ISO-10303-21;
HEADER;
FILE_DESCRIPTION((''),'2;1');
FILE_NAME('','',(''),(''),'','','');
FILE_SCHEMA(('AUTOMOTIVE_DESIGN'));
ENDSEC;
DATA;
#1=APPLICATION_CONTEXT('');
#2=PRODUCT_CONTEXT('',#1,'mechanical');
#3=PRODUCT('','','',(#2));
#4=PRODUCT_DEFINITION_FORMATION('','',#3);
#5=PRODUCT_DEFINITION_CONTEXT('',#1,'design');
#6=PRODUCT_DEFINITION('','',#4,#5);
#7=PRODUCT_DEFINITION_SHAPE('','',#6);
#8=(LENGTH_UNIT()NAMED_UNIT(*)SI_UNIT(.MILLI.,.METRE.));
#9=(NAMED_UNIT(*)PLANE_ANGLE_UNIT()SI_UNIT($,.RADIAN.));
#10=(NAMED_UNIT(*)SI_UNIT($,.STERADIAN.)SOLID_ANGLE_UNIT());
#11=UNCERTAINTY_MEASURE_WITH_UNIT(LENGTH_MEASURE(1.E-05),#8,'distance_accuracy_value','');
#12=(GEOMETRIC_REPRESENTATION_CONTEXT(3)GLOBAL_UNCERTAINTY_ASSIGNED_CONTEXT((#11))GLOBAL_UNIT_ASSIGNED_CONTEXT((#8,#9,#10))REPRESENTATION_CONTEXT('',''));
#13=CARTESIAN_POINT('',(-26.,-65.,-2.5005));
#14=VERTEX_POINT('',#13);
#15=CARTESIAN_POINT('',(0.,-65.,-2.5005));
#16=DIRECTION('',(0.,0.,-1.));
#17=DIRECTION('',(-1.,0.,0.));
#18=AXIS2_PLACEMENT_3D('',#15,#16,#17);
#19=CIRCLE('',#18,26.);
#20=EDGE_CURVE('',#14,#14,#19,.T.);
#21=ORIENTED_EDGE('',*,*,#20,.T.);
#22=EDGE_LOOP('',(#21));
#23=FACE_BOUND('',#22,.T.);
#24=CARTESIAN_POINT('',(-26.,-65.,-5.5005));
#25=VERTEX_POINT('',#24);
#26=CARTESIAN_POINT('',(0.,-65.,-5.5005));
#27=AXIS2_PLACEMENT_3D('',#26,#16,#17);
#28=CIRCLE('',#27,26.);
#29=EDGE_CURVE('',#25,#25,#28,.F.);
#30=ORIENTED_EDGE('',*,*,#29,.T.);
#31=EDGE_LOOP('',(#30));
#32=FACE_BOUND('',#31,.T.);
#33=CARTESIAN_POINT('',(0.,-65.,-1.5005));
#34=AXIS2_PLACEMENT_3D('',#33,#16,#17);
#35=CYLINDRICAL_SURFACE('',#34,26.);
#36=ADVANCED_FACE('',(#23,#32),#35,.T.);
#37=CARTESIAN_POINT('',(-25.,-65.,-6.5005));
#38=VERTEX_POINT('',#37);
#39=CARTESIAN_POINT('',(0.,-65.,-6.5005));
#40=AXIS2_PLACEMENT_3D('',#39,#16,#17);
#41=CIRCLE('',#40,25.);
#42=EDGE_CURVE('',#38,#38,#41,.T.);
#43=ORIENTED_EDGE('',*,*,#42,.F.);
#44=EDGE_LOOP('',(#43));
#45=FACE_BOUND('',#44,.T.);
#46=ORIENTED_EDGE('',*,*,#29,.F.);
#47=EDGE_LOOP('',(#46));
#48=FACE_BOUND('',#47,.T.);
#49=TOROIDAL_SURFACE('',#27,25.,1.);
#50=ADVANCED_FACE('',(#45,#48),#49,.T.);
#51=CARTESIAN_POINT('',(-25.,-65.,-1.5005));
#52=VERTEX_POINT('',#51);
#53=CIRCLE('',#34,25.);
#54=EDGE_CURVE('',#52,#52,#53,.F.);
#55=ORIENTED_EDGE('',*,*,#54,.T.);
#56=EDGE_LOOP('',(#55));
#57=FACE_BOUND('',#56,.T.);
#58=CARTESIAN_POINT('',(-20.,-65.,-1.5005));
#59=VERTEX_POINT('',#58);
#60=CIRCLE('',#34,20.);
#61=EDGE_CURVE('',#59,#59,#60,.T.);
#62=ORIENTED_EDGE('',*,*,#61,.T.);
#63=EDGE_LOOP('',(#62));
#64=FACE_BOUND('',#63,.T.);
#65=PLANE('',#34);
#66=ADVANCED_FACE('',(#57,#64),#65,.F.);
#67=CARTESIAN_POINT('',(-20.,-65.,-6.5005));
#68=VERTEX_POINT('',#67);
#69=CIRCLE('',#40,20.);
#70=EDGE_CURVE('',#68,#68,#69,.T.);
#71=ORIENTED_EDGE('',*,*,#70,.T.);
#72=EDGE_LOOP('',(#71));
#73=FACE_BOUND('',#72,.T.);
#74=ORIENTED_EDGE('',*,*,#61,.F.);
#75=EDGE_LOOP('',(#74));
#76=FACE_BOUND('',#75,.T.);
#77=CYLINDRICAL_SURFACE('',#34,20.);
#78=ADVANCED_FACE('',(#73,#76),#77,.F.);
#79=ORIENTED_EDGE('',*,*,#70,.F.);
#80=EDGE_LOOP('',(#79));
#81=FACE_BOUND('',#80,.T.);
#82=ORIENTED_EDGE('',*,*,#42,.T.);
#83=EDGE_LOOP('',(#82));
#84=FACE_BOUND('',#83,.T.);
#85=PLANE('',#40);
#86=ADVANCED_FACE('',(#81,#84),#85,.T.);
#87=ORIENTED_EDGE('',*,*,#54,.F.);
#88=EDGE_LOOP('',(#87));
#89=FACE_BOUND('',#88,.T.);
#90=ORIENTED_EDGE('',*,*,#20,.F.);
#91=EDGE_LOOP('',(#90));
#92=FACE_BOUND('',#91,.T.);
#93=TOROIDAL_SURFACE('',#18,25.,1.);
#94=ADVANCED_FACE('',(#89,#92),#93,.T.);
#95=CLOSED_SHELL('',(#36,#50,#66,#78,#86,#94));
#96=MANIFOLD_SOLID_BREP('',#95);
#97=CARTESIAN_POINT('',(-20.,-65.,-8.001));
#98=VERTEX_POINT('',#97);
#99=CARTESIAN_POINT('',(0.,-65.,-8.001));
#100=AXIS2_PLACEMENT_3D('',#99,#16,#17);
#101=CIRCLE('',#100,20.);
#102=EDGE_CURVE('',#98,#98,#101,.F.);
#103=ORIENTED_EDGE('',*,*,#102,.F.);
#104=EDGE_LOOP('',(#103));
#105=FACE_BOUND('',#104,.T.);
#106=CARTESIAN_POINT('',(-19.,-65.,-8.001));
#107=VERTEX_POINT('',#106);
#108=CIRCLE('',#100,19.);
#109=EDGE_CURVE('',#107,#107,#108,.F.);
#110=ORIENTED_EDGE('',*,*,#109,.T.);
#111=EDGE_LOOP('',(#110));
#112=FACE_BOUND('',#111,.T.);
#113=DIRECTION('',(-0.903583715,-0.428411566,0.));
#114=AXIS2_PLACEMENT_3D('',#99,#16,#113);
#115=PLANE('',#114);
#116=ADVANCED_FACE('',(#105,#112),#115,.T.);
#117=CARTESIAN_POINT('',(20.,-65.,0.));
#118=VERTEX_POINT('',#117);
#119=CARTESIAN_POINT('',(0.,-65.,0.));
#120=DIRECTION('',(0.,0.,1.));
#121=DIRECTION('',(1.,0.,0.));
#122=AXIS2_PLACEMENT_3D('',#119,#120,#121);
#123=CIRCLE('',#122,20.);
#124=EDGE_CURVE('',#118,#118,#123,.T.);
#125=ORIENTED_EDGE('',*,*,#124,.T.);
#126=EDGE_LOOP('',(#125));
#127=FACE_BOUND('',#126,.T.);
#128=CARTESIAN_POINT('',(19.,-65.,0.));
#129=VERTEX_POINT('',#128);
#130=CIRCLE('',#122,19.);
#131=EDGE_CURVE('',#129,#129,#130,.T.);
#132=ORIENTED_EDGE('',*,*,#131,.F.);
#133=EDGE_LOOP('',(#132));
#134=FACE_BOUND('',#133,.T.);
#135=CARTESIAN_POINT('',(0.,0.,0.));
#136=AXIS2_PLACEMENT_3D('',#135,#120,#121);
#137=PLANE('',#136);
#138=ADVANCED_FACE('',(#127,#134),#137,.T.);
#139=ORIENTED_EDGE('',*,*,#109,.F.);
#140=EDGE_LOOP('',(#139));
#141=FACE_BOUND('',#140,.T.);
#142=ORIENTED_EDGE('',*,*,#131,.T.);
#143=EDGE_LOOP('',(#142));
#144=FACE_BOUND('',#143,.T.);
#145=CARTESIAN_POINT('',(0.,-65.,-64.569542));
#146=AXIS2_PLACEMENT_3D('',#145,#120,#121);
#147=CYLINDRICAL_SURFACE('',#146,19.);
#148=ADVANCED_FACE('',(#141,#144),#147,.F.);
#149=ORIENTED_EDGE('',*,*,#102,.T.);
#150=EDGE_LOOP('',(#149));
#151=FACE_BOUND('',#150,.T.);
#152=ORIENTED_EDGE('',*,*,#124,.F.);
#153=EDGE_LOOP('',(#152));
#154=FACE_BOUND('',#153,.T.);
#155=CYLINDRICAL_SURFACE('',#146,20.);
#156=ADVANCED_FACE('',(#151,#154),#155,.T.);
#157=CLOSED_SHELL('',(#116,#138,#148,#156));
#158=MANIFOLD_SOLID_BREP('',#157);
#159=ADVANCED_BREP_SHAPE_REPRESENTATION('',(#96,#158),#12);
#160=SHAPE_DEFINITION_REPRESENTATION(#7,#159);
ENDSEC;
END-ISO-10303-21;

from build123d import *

# Parameters (mm, degrees)
SKETCH1_R                = 20
SKETCH1_R_2              = 19
BOSS_EXTRUDE1_DEPTH      = 8.001
BOSS_EXTRUDE2_DEPTH      = 2.5
BOSS_EXTRUDE2_DEPTH_BACK = 2.5
SKETCH2_R                = 26
SKETCH2_R_2              = 20
FILLET1_R                = 1


with BuildPart() as part:
    # Sketch1 → Boss-Extrude1 (new body)
    with BuildSketch(Plane.XY):
        with Locations((0, -65)):
            Circle(SKETCH1_R)
        with Locations((0, -65)):
            Circle(SKETCH1_R_2, mode=Mode.SUBTRACT)
    extrude(amount=-BOSS_EXTRUDE1_DEPTH)


with BuildPart() as body_2:
    # Sketch2 → Boss-Extrude2 (new, two sides: drawn at the far end of the back side and taken through both)
    with BuildSketch(Plane(origin=(0, 0, -4.0005), x_dir=(-1, 0, 0), z_dir=(0, 0, -1)).offset(-BOSS_EXTRUDE2_DEPTH_BACK)):
        with Locations((0, -65)):
            Circle(SKETCH2_R)
        with Locations((0, -65)):
            Circle(SKETCH2_R_2, mode=Mode.SUBTRACT)
    extrude(amount=BOSS_EXTRUDE2_DEPTH + BOSS_EXTRUDE2_DEPTH_BACK)

    # Fillet1
    fillet1_edges = [body_2.edges().sort_by_distance(p)[0] for p in [
        (26, -65, -1.5005),
        (26, -65, -6.5005),
    ]]
    fillet(fillet1_edges, radius=FILLET1_R)


solid = Compound([part.part, body_2.part])
